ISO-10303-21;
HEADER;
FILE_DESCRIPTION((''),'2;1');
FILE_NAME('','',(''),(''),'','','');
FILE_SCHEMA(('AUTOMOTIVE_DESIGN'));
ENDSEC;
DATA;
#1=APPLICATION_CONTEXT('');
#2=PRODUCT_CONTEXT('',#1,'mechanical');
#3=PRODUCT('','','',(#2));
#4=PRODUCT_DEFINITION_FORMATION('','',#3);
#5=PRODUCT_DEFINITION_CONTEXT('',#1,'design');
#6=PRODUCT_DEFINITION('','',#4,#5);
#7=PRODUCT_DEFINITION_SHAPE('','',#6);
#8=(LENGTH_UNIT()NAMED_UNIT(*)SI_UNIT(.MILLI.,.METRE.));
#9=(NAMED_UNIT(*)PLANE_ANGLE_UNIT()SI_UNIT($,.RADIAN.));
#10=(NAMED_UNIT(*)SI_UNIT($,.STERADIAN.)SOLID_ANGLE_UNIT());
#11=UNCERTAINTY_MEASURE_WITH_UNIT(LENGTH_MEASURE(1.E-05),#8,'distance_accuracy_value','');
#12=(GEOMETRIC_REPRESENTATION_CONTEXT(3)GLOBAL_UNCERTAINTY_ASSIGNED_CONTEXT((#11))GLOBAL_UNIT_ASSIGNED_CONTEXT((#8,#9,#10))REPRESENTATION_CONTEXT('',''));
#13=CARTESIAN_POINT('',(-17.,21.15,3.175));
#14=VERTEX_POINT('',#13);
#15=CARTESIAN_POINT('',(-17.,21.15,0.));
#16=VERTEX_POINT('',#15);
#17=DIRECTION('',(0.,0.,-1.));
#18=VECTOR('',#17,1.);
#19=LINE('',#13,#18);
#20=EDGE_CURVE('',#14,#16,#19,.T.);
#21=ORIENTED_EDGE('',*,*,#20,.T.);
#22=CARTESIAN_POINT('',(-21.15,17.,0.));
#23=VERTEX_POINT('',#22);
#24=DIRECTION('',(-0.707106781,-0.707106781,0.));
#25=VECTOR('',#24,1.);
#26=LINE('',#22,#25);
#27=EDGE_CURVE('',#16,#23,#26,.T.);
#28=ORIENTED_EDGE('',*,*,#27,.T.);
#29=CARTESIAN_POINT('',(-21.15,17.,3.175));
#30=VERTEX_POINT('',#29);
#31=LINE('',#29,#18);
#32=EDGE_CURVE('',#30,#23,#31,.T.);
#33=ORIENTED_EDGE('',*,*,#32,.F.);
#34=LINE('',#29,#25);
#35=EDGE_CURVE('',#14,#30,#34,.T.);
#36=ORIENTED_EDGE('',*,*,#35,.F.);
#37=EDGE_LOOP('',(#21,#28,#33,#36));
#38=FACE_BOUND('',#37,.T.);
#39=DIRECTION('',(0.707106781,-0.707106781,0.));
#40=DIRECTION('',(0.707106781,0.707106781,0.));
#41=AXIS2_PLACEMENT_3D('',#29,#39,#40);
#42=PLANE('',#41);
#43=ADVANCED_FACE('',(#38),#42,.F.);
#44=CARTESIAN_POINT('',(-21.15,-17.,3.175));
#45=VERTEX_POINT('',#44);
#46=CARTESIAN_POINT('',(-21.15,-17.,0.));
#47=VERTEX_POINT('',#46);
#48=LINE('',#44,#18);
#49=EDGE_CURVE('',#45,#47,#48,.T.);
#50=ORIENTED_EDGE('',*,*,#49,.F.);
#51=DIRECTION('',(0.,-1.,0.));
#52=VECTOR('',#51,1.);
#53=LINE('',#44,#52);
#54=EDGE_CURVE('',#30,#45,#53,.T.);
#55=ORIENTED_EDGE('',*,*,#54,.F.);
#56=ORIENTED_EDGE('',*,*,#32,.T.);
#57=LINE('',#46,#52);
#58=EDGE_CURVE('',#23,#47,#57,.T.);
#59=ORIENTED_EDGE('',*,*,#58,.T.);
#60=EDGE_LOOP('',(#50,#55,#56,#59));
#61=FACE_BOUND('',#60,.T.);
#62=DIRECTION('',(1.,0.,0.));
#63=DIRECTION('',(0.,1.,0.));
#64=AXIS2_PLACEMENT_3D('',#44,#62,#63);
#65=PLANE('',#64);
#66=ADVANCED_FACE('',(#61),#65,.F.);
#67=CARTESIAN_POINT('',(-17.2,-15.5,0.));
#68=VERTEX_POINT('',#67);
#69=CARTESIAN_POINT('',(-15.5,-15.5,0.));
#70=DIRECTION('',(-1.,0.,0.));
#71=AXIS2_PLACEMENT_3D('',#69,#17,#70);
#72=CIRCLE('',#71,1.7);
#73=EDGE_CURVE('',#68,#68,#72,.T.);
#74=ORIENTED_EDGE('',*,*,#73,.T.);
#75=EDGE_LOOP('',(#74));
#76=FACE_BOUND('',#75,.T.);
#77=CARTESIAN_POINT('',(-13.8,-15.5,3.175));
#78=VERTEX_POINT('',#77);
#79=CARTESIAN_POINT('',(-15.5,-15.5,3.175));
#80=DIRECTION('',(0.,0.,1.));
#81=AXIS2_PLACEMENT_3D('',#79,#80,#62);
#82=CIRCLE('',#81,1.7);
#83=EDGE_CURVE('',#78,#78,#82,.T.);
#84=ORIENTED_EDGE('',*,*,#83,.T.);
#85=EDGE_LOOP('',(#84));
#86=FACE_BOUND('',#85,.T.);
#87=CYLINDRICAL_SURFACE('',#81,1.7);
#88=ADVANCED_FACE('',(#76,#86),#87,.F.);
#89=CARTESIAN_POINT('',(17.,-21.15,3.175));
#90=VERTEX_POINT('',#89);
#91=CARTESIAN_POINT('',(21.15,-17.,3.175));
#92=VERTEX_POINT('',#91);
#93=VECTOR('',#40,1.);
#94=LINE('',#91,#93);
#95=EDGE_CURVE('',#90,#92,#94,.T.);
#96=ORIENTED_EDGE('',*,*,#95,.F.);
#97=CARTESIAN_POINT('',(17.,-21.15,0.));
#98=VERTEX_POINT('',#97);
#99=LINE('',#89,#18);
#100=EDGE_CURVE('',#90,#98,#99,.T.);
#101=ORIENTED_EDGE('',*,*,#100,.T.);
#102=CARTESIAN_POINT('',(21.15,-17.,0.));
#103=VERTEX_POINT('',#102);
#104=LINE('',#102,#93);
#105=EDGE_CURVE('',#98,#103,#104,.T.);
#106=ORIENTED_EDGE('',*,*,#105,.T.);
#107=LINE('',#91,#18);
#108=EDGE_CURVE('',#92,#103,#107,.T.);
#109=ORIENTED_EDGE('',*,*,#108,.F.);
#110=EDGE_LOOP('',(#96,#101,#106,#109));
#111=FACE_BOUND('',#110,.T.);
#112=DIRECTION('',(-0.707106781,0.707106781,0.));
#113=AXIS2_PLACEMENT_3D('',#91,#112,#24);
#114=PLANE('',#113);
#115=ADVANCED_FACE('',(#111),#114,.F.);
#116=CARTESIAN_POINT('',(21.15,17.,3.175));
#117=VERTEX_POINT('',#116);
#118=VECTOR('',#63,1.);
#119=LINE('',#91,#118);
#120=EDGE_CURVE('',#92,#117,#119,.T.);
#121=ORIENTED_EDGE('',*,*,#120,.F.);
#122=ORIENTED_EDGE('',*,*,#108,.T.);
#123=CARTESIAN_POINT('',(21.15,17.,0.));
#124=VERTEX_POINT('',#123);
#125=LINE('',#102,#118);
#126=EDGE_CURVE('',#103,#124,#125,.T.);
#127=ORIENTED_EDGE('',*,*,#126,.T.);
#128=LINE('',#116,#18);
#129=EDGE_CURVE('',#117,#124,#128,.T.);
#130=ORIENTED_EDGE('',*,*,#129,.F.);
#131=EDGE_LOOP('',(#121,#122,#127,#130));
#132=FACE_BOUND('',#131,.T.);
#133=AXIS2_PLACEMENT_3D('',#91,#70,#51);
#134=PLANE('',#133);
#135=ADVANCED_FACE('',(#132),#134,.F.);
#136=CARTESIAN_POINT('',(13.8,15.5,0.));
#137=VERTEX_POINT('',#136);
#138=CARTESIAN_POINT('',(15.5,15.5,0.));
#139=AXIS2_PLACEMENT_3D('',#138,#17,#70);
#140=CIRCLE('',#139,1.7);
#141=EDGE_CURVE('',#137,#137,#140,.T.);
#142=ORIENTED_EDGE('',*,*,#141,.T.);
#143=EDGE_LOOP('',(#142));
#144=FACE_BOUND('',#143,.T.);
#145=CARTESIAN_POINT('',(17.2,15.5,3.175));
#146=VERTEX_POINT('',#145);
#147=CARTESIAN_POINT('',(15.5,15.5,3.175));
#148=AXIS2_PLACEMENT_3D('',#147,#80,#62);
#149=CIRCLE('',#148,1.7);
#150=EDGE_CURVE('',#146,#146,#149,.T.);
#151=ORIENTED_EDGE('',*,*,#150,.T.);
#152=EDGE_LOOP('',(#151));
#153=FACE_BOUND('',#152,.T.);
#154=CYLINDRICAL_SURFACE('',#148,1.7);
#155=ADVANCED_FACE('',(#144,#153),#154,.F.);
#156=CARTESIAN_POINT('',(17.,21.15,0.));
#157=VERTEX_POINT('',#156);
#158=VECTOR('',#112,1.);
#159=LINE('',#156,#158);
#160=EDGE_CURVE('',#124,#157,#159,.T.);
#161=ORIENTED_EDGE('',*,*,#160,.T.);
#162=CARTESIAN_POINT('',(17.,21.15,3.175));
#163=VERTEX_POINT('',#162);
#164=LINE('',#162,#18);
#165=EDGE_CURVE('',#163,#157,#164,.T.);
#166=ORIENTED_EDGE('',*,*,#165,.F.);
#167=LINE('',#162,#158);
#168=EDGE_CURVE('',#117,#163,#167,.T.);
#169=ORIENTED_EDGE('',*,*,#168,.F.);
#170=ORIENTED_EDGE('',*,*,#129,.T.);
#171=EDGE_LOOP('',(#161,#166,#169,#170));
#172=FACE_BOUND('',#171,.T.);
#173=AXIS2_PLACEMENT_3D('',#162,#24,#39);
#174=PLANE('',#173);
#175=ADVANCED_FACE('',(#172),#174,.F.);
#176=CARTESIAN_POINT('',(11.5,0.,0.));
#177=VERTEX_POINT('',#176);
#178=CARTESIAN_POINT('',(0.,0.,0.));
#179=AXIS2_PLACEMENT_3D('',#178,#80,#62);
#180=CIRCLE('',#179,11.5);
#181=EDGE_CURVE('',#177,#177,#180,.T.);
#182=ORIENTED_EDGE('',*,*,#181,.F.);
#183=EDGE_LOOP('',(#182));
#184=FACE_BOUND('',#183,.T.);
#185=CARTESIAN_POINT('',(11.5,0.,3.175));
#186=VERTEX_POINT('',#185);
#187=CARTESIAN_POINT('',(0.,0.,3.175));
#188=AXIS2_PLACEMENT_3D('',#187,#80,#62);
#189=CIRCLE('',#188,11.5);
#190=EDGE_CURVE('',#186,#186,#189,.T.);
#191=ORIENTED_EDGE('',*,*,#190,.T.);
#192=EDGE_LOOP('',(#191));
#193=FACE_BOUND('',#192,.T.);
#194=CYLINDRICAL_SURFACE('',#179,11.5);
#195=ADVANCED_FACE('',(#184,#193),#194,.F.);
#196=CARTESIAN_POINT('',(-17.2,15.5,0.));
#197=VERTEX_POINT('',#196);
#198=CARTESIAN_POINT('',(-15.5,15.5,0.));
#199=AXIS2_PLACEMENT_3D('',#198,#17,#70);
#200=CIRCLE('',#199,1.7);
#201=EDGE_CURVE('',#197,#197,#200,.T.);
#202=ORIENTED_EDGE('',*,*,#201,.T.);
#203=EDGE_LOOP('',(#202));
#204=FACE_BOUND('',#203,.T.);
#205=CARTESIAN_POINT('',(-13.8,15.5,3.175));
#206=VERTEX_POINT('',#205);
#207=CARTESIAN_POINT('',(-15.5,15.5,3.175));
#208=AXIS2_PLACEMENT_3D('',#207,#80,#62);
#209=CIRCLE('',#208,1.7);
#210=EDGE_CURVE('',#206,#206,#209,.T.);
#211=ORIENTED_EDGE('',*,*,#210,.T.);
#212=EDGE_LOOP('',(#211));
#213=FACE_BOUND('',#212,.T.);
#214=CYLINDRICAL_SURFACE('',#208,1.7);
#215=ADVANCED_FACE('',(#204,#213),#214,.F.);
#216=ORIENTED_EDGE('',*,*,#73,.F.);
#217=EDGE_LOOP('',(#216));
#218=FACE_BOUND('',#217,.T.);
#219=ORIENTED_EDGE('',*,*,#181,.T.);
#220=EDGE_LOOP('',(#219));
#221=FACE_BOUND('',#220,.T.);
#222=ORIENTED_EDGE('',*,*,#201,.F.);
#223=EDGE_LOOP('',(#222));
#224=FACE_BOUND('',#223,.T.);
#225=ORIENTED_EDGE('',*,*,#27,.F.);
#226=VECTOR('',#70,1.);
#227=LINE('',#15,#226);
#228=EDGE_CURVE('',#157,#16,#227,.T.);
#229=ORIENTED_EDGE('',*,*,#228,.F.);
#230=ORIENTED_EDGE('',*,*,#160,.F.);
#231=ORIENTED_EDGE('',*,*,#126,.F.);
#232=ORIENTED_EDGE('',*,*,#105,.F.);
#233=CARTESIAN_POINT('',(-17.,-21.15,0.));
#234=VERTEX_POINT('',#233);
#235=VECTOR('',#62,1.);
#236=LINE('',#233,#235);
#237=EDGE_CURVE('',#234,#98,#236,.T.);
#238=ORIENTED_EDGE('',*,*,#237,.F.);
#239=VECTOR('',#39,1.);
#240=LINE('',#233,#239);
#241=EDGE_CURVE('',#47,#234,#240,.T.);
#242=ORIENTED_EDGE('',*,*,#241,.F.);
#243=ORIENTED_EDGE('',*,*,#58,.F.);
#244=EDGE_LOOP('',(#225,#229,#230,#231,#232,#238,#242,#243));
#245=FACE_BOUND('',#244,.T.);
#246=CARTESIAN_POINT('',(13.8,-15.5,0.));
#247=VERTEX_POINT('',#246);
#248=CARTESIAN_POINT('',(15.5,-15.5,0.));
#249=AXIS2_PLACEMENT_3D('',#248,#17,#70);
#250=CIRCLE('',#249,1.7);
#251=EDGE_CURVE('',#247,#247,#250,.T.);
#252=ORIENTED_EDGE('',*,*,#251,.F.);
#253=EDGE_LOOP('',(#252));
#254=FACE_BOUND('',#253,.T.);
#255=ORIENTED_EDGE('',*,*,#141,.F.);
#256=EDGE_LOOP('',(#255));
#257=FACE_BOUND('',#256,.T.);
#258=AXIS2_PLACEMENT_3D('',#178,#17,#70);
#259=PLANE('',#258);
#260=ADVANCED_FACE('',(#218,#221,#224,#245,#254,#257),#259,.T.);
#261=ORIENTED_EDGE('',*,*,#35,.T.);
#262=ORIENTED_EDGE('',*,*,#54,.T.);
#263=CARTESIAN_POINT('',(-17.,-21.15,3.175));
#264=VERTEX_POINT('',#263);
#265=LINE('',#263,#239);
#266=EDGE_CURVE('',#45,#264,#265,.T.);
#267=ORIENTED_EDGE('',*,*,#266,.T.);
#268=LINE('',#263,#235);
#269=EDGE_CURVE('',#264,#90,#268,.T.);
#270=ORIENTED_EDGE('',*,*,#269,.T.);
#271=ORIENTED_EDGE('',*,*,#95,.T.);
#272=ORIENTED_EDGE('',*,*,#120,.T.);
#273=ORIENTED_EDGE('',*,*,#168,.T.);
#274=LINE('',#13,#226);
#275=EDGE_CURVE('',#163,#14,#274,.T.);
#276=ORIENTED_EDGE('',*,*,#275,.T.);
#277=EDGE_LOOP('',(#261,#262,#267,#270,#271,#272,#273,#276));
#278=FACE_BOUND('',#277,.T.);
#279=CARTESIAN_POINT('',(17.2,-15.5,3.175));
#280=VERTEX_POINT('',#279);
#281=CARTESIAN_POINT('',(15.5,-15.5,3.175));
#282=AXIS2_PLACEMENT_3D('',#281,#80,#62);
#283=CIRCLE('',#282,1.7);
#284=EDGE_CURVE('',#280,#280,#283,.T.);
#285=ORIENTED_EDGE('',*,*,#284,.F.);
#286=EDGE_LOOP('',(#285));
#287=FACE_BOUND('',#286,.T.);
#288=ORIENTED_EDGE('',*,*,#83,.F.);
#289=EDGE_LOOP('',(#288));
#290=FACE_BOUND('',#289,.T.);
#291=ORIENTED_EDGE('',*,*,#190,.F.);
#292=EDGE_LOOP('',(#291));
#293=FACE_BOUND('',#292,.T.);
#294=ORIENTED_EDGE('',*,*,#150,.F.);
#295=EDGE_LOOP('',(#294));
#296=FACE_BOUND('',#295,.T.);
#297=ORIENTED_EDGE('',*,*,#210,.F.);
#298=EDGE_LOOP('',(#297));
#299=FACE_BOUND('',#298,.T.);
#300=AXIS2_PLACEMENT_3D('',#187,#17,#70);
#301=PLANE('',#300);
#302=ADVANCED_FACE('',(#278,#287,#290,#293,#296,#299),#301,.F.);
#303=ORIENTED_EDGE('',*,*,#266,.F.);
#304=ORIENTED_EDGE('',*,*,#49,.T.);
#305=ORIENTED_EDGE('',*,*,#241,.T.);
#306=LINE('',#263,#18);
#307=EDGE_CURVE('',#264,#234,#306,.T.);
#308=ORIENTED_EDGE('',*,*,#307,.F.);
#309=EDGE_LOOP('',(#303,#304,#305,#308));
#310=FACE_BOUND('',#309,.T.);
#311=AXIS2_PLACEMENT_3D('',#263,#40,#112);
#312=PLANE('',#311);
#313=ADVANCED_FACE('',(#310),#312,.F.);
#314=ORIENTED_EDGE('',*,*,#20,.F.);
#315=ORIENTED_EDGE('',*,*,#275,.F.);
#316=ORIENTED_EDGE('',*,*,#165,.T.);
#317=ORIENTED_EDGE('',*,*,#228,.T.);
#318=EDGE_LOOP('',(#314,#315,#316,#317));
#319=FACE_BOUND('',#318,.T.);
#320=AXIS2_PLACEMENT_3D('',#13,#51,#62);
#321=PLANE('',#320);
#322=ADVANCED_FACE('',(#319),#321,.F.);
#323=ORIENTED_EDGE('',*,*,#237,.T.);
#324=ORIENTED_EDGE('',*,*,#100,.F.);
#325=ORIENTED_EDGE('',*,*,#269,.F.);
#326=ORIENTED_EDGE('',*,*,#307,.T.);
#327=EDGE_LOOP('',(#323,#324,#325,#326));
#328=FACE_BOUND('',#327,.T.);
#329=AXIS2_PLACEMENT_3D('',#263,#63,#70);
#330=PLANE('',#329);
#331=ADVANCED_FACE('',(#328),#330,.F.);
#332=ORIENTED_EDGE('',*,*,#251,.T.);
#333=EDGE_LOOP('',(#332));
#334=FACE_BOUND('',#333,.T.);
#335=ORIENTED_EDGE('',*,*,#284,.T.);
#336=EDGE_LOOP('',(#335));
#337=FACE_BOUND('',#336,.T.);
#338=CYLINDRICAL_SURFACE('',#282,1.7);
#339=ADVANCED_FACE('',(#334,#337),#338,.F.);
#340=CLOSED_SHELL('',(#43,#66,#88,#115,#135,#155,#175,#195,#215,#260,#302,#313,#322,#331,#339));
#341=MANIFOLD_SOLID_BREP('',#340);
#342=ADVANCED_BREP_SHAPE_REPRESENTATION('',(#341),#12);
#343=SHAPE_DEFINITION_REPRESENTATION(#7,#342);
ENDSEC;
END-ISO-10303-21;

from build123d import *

# Parameters (mm, degrees)
BOSS_EXTRUDE1_DEPTH      = 3.175
SKETCH2_R                = 11.5
CUT_EXTRUDE1_DEPTH       = 4.175
M3_CLEARANCE_HOLE1_D     = 3.4
M3_CLEARANCE_HOLE1_DEPTH = 3.175


with BuildPart() as part:
    # Sketch1 → Boss-Extrude1 (new body)
    with BuildSketch(Plane.XY):
        Polygon((-17, -21.15), (17, -21.15), (21.15, -17), (21.15, 17), (17, 21.15), (-17, 21.15), (-21.15, 17), (-21.15, -17), align=None)
    extrude(amount=BOSS_EXTRUDE1_DEPTH)

    # Sketch2 → Cut-Extrude1 (cut, through all)
    with BuildSketch(Plane.XY.offset(3.175)):
        Circle(SKETCH2_R)
    extrude(amount=-CUT_EXTRUDE1_DEPTH, mode=Mode.SUBTRACT)

    # M3 Clearance Hole1
    with Locations(Plane.XY.offset(3.175)):
        with Locations((-15.5, 15.5), (15.5, 15.5), (15.5, -15.5), (-15.5, -15.5)):
            Hole(M3_CLEARANCE_HOLE1_D / 2, depth=M3_CLEARANCE_HOLE1_DEPTH)


solid = part.part
